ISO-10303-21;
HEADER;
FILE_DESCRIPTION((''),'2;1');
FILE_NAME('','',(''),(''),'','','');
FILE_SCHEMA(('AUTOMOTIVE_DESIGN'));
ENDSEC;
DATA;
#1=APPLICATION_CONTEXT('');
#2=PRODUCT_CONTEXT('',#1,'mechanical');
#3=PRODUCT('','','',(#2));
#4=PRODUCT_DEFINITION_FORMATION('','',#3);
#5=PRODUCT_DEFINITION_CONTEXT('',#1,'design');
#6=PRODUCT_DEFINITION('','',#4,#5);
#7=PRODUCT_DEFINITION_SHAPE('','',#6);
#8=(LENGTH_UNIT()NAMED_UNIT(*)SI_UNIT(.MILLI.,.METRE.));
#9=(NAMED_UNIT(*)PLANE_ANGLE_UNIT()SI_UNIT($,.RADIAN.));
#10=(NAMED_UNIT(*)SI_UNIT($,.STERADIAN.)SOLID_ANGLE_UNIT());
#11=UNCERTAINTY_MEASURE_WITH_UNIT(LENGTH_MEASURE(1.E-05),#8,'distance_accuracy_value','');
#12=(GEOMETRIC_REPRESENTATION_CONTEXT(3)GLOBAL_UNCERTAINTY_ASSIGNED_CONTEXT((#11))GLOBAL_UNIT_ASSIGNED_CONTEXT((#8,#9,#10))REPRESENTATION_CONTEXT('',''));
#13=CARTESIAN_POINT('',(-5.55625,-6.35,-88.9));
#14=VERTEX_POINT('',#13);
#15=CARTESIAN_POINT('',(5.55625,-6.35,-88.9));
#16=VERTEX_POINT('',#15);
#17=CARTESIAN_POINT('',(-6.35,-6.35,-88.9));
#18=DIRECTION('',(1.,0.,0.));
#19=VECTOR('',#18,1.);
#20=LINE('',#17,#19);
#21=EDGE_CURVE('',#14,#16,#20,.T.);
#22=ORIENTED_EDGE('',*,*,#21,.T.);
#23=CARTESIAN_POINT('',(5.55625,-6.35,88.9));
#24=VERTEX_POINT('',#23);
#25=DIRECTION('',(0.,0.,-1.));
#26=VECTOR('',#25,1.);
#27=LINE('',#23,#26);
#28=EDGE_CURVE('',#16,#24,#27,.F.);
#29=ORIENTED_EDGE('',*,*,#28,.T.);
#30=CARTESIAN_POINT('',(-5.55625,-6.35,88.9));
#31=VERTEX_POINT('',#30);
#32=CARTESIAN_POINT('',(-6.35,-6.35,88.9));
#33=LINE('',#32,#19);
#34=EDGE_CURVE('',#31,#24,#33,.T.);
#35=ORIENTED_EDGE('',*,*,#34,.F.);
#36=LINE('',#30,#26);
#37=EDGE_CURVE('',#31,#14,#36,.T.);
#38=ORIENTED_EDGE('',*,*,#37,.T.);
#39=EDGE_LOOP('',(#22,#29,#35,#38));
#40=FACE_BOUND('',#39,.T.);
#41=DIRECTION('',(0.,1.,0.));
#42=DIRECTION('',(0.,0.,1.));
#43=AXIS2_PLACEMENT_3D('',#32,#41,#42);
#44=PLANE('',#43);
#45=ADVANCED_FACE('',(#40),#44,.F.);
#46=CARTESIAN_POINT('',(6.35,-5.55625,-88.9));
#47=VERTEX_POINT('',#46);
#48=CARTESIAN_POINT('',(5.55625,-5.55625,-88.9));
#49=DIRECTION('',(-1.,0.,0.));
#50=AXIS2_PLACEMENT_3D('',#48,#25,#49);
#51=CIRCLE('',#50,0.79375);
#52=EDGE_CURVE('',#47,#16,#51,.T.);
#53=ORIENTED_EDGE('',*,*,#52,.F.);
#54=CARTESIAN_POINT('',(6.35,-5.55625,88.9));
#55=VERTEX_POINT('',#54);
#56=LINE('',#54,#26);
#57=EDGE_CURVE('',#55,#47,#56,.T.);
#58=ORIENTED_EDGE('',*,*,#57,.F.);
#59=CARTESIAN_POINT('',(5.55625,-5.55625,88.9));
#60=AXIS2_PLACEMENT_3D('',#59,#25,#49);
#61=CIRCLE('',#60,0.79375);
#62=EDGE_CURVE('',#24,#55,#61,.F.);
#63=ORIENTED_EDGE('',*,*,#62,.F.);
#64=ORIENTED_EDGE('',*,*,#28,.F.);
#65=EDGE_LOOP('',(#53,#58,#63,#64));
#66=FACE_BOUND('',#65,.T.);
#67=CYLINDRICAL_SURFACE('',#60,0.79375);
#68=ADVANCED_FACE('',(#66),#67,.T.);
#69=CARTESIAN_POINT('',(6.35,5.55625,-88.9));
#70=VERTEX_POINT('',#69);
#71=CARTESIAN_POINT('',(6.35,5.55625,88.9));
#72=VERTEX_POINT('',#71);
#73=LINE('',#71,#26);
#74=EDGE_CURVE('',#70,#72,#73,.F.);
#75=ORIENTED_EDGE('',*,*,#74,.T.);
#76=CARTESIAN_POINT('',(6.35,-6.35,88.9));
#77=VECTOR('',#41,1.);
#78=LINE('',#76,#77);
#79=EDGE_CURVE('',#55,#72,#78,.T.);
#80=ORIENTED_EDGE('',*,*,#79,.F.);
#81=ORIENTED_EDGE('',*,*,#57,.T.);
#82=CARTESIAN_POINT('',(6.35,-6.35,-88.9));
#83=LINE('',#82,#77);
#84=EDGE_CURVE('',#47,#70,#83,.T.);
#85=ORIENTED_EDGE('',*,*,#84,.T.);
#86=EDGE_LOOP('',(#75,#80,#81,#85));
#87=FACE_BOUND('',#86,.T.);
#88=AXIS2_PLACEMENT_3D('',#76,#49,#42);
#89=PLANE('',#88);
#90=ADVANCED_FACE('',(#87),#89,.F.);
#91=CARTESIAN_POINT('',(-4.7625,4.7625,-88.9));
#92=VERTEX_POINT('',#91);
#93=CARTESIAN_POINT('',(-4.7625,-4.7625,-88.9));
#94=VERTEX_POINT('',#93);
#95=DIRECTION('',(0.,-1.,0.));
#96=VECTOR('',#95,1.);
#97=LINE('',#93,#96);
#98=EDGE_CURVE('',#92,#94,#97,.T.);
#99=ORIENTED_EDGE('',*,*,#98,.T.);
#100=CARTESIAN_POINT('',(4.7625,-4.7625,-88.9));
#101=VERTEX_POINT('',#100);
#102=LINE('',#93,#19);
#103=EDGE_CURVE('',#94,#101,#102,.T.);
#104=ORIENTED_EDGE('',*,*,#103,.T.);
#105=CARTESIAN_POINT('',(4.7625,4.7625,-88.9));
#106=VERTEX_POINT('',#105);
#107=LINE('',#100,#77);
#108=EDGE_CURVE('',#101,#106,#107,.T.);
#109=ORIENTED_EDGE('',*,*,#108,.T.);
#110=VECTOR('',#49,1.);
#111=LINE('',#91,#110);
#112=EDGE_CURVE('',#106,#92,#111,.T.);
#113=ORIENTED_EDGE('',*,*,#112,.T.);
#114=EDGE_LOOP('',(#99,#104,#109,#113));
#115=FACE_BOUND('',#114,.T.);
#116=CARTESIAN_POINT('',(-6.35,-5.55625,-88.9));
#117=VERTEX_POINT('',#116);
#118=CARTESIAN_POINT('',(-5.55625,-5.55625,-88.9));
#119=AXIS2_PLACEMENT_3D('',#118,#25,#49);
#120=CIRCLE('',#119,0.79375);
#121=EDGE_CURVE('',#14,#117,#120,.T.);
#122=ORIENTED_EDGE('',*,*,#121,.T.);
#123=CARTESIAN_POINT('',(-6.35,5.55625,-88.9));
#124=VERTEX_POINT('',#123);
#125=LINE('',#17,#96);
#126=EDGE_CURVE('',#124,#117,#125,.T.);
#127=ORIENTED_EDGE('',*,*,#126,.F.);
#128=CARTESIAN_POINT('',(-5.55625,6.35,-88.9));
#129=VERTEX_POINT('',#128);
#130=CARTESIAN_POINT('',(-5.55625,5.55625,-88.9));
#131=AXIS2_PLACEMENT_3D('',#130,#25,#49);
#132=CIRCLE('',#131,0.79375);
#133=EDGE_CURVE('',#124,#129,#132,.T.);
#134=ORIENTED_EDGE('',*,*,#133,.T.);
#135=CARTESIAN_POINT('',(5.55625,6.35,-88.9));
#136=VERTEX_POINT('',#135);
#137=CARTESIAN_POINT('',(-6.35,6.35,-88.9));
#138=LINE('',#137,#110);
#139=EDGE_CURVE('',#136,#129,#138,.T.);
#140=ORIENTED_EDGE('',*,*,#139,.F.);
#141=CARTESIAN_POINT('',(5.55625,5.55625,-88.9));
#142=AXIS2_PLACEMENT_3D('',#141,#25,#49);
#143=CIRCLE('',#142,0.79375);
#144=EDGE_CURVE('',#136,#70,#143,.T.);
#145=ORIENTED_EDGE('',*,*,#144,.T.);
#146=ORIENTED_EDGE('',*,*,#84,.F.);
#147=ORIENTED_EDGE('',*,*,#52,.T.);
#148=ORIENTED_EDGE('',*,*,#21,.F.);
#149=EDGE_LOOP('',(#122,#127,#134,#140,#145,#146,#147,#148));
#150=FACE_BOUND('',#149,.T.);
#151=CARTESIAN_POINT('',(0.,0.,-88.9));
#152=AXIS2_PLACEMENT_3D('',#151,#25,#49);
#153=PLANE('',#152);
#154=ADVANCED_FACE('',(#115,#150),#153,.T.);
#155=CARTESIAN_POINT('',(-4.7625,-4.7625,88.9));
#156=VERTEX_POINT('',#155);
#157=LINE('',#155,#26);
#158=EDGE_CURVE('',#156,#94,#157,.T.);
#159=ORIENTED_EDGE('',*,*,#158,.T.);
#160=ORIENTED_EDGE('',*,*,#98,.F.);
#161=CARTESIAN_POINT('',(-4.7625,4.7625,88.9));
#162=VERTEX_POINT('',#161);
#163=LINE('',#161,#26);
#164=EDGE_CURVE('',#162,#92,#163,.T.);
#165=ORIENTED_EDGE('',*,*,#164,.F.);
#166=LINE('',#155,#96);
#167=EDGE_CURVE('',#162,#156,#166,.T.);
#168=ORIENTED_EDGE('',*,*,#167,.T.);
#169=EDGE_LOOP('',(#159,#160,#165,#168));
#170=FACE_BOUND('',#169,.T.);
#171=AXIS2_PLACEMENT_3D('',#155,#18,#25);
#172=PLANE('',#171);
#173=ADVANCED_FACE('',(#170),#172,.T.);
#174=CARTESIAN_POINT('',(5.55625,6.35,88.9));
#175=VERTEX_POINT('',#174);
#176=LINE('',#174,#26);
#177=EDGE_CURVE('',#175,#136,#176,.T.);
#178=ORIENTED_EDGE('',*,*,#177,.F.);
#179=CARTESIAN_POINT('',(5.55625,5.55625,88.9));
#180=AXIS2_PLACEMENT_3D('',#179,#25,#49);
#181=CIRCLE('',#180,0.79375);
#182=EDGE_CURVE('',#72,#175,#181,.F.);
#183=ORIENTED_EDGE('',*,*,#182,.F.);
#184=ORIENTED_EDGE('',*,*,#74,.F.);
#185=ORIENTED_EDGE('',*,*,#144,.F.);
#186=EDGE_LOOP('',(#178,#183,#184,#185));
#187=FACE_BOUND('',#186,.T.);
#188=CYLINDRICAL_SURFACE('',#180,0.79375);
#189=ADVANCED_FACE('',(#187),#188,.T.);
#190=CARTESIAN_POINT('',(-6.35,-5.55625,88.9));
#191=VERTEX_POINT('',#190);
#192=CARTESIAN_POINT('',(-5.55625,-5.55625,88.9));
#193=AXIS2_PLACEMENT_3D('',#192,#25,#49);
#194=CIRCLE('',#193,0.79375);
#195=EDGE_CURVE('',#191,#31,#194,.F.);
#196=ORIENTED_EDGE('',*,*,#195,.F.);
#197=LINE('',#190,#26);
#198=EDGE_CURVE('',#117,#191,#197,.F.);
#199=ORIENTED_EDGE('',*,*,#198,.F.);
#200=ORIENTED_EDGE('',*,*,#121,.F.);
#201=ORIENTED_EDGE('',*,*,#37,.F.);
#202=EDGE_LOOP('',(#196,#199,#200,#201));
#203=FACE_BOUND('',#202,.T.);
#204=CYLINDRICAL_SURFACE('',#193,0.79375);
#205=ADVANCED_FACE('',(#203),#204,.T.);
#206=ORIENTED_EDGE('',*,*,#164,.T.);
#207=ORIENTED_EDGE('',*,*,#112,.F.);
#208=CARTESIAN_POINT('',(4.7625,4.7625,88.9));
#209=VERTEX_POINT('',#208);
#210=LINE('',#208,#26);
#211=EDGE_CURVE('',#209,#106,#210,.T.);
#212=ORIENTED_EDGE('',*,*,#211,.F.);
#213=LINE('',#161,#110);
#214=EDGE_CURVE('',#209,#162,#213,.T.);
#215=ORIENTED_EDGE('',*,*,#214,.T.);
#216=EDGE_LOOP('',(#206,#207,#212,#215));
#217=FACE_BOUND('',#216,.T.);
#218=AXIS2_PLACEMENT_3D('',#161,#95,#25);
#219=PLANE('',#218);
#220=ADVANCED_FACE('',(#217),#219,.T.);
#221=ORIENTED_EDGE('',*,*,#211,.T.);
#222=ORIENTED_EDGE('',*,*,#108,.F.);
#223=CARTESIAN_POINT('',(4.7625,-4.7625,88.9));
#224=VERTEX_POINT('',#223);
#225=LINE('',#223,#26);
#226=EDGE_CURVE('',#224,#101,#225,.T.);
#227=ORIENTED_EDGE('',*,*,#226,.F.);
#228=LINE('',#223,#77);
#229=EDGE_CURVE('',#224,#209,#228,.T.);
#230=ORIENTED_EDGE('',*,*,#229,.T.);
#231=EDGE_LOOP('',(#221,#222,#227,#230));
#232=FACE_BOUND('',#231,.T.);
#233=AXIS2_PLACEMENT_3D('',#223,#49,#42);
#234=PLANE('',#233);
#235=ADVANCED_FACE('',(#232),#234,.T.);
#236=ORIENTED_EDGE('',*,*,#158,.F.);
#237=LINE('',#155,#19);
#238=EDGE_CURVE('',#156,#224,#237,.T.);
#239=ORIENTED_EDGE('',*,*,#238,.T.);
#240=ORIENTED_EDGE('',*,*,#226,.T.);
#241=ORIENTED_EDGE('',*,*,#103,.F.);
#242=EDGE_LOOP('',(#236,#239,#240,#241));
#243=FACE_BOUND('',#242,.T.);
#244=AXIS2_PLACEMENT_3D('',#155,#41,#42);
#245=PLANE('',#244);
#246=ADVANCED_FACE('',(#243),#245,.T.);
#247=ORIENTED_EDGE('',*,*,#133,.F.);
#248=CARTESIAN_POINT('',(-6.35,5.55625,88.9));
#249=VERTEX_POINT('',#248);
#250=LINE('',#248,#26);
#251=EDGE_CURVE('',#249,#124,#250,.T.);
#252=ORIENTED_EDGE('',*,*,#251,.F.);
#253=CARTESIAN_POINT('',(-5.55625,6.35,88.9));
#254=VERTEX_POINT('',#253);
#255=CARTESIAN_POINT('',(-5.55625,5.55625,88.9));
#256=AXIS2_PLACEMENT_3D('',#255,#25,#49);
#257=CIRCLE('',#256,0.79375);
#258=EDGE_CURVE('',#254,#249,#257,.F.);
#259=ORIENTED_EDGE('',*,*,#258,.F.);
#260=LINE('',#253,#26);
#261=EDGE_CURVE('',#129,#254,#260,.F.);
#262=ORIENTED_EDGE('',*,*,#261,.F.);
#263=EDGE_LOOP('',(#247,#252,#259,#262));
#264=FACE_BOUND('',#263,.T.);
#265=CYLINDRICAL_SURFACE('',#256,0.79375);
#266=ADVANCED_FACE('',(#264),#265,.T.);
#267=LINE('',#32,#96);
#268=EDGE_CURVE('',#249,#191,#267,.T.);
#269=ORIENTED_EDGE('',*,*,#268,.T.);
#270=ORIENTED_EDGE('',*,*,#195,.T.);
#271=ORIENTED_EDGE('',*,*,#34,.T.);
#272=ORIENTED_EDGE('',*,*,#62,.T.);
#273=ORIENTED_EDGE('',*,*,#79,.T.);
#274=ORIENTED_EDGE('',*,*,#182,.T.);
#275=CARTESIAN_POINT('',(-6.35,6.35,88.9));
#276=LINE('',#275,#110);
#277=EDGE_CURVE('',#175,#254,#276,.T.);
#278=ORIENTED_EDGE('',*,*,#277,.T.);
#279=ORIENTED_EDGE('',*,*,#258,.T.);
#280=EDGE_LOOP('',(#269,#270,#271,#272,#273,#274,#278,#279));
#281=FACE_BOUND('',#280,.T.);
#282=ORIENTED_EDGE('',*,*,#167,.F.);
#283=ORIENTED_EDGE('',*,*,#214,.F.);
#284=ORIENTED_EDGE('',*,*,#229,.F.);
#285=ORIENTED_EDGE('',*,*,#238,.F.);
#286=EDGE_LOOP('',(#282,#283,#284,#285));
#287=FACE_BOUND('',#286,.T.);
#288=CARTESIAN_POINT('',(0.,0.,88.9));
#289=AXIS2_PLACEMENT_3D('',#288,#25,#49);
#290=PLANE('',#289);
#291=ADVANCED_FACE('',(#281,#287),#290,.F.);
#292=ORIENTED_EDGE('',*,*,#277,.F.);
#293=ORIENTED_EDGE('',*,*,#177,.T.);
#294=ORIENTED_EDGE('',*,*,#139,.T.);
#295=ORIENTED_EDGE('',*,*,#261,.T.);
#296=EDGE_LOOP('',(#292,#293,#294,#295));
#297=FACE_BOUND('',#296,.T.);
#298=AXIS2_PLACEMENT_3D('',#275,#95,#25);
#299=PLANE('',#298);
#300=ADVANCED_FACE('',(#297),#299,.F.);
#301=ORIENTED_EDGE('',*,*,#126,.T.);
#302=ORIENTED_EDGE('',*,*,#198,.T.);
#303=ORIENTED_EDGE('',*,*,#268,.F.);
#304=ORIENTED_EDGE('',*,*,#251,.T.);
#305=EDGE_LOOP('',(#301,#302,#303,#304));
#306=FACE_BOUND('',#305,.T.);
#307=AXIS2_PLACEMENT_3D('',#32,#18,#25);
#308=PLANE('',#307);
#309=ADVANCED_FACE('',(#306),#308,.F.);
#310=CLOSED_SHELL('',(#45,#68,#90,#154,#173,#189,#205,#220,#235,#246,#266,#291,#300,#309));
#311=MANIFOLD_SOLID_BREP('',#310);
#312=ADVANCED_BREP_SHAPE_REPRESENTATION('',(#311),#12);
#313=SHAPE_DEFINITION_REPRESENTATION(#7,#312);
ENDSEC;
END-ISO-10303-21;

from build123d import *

# Parameters (mm, degrees)
BOSS_EXTRUDE1_DEPTH      = 88.9
BOSS_EXTRUDE1_DEPTH_BACK = 88.9
SKETCH1_W                = 12.7
SKETCH1_H                = 12.7
SKETCH1_W_2              = 9.525
SKETCH1_H_2              = 9.525
FILLET1_R                = 0.79375


with BuildPart() as part:
    # Sketch1 → Boss-Extrude1 (new, two sides: drawn at the far end of the back side and taken through both)
    with BuildSketch(Plane.XY.offset(-BOSS_EXTRUDE1_DEPTH_BACK)):
        Rectangle(SKETCH1_W, SKETCH1_H)
        Rectangle(SKETCH1_W_2, SKETCH1_H_2, mode=Mode.SUBTRACT)
    extrude(amount=BOSS_EXTRUDE1_DEPTH + BOSS_EXTRUDE1_DEPTH_BACK)

    # Fillet1
    fillet1_edges = [part.edges().sort_by_distance(p)[0] for p in [
        (6.35, -6.35, 0),
        (-6.35, -6.35, 0),
        (-6.35, 6.35, 0),
        (6.35, 6.35, 0),
    ]]
    fillet(fillet1_edges, radius=FILLET1_R)


solid = part.part
